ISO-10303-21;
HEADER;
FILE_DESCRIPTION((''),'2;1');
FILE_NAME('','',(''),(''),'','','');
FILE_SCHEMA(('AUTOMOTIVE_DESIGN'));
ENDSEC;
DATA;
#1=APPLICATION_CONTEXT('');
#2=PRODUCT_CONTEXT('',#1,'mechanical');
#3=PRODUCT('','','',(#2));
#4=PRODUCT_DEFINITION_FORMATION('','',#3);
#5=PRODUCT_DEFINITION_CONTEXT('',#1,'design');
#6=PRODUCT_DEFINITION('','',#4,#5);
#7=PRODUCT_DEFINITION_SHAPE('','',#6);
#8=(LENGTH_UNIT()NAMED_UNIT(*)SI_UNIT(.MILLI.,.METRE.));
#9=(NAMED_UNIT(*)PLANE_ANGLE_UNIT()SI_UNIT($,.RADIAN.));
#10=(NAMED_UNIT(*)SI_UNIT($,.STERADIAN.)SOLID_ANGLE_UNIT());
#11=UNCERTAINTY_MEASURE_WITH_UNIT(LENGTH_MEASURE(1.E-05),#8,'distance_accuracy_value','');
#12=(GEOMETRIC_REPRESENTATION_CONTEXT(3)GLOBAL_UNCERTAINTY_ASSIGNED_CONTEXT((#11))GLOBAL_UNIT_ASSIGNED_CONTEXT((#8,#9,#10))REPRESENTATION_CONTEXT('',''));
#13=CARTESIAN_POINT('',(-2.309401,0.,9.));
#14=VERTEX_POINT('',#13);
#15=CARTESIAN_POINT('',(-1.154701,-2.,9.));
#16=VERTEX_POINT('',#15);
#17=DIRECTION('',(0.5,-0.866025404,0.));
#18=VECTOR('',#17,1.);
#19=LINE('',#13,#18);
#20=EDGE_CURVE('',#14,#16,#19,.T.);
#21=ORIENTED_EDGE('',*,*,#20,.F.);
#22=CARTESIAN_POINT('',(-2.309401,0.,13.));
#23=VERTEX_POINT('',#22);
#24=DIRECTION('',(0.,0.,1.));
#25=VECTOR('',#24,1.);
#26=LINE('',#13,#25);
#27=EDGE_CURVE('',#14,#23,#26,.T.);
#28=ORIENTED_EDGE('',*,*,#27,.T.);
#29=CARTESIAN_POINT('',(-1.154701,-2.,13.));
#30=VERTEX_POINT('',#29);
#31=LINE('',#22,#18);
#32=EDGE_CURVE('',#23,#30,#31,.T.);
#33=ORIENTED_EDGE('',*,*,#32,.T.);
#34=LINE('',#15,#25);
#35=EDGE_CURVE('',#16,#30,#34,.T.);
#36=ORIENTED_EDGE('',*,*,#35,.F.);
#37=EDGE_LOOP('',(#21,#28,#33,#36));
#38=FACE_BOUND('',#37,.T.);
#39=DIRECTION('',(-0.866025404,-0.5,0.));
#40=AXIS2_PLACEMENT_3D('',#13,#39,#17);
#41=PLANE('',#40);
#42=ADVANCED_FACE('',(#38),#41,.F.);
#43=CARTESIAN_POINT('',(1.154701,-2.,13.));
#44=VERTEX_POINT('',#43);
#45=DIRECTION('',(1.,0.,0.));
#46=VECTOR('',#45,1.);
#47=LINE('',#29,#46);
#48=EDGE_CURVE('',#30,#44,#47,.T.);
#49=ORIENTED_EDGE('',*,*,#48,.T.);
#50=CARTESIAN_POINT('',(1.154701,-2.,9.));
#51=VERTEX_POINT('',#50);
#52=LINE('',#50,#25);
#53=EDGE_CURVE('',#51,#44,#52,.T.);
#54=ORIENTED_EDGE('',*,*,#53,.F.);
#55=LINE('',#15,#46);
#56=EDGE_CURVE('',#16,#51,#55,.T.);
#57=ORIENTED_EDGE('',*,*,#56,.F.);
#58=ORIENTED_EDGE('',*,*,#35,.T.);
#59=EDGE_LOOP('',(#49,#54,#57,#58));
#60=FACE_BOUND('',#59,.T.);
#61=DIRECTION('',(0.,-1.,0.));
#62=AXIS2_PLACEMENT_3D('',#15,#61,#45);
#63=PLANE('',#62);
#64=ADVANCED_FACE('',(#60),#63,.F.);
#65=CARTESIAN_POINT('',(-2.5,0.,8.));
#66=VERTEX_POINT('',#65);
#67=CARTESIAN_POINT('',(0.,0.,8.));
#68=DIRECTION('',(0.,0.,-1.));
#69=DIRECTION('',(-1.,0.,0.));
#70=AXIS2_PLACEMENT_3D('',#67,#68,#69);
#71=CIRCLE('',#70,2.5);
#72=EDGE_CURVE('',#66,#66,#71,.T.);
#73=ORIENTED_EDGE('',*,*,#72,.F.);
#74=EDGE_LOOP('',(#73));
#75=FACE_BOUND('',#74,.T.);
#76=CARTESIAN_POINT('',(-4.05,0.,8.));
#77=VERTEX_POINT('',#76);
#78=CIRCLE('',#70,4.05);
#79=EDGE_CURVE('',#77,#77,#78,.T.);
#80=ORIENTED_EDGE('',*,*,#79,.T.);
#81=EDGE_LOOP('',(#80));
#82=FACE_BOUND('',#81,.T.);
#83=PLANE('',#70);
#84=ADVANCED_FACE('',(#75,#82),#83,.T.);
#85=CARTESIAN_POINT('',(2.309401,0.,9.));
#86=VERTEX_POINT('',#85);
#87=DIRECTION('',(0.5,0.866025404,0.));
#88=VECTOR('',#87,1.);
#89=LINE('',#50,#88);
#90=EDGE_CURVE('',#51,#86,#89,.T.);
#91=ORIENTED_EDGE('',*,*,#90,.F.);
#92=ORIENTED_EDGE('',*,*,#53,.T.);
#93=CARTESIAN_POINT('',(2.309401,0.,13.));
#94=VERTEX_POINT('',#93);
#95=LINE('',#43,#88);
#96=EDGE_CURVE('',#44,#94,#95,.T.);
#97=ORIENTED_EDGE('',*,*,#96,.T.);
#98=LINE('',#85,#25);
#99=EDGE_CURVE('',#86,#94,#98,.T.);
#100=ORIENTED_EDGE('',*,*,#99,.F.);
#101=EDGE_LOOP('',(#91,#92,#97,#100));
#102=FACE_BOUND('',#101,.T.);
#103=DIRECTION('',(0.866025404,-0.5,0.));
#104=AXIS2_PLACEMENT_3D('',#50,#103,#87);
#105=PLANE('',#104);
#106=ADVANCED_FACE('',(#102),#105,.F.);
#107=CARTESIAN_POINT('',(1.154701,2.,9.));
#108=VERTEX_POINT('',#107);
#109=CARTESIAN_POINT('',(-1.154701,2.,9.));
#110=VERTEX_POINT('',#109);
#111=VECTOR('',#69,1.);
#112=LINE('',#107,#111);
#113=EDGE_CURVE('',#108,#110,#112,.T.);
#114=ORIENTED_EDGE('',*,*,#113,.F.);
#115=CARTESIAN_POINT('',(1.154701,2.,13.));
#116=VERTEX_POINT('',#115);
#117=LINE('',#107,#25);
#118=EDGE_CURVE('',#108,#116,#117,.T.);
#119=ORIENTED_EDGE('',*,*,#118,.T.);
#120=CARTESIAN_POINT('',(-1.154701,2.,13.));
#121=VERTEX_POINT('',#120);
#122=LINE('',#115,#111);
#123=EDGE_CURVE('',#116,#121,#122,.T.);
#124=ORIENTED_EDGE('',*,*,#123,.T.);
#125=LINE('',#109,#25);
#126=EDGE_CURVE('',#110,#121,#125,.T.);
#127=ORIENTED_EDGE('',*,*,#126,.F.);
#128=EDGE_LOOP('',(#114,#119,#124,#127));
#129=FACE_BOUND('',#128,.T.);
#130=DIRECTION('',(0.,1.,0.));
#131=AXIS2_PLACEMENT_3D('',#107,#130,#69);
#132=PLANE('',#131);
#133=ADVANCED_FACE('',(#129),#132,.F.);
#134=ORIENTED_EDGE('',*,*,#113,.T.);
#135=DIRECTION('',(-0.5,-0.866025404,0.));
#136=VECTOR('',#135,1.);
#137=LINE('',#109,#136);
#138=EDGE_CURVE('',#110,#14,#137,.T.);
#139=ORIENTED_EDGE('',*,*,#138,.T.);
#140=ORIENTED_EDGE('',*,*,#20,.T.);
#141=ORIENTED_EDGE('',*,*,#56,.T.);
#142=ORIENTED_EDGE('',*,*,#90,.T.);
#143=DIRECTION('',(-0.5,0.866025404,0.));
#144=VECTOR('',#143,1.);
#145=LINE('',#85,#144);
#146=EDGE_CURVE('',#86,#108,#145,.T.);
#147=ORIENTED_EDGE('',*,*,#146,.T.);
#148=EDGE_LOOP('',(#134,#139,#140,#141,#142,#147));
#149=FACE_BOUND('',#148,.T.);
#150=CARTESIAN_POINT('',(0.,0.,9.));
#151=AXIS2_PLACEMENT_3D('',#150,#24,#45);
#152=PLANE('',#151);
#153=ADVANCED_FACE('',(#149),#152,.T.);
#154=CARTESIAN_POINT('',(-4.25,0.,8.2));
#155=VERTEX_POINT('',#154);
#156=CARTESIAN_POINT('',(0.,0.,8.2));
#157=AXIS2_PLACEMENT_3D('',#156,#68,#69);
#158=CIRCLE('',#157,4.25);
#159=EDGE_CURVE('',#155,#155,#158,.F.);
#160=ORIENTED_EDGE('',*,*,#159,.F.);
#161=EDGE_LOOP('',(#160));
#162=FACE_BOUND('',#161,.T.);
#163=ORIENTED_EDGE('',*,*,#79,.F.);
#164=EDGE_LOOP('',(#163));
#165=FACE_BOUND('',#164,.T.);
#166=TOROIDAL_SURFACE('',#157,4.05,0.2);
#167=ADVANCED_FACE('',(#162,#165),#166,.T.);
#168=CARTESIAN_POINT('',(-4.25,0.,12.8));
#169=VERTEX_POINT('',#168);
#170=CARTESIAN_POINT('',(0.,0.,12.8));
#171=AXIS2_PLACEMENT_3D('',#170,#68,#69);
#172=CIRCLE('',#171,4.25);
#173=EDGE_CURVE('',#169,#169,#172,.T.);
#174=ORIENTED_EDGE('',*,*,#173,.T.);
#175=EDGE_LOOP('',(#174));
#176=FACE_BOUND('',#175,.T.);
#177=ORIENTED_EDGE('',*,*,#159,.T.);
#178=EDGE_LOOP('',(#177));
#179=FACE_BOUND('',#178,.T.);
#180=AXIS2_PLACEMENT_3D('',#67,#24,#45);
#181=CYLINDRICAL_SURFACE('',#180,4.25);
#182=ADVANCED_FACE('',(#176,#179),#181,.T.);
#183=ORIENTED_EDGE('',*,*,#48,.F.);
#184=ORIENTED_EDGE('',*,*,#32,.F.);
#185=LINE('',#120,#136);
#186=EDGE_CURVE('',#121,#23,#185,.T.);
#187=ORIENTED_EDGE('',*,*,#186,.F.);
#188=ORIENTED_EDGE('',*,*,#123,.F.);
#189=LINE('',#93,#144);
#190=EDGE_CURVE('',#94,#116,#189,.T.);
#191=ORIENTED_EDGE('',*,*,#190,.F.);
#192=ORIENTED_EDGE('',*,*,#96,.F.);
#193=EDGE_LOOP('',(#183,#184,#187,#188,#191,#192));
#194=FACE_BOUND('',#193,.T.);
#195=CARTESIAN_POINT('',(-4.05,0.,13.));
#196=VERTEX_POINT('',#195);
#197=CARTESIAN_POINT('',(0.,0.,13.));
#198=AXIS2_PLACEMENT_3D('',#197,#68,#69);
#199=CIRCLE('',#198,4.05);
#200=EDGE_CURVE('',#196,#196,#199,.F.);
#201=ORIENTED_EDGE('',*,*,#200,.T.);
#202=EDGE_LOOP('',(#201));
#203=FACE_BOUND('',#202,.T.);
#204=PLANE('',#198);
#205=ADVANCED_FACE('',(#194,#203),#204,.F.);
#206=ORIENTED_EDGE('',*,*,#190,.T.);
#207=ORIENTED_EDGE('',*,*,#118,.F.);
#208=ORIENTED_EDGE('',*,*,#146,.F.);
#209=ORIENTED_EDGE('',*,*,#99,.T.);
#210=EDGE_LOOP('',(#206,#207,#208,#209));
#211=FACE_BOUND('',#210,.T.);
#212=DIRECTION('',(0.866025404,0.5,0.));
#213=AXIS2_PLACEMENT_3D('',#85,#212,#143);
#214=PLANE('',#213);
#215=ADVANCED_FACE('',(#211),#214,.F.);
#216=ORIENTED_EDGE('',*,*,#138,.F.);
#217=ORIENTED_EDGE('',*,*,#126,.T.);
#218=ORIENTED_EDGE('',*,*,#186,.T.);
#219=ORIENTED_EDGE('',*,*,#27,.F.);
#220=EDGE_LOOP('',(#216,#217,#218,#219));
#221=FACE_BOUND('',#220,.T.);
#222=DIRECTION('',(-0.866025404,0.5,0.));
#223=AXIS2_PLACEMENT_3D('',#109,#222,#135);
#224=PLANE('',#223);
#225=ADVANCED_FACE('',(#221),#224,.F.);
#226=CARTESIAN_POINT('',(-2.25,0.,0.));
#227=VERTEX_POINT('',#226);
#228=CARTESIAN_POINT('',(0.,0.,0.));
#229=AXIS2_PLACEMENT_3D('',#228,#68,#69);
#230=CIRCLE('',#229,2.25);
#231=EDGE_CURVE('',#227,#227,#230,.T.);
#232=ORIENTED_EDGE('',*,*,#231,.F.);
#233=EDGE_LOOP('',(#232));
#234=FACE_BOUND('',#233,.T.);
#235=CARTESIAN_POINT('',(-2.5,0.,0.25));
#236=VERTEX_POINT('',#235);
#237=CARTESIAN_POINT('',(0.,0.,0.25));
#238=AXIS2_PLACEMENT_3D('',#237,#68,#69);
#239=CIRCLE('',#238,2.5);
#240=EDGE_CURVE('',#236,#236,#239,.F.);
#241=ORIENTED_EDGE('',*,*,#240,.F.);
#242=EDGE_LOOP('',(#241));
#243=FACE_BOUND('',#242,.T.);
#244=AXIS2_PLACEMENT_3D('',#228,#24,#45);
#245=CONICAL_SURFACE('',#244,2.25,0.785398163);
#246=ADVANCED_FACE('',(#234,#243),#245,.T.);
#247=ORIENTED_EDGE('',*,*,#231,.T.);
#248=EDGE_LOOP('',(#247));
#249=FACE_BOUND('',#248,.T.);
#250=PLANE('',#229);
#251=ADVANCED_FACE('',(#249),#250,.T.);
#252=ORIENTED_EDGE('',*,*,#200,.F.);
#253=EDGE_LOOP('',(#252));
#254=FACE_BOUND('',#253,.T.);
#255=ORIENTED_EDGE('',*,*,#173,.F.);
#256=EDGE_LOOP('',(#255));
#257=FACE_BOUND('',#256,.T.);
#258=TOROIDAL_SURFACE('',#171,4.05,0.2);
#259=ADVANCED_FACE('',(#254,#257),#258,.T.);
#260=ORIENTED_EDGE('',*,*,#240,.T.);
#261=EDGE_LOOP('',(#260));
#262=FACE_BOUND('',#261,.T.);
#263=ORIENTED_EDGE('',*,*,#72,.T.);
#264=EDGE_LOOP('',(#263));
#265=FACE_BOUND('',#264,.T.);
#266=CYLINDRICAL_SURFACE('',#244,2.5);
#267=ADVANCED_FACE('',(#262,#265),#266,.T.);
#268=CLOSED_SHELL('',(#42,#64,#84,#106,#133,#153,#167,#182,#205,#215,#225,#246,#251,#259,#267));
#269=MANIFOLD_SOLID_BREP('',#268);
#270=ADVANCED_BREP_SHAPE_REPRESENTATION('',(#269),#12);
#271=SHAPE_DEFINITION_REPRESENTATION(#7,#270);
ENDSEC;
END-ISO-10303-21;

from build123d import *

# Parameters (mm, degrees)
SKETCH1_R           = 4.25
BOSS_EXTRUDE1_DEPTH = 5
SKETCH2_R           = 2.5
BOSS_EXTRUDE2_DEPTH = 8
CUT_EXTRUDE1_DEPTH  = 4
CHAMFER1_SIZE       = 0.25
FILLET1_R           = 0.2


with BuildPart() as part:
    # Sketch1 → Boss-Extrude1 (new body)
    with BuildSketch(Plane.XY.offset(13)):
        Circle(SKETCH1_R)
    extrude(amount=-BOSS_EXTRUDE1_DEPTH)

    # Sketch2 → Boss-Extrude2 (add)
    with BuildSketch(Plane(origin=(0, 0, 8), x_dir=(-1, 0, 0), z_dir=(0, 0, -1))):
        Circle(SKETCH2_R)
    extrude(amount=BOSS_EXTRUDE2_DEPTH)

    # Sketch3 → Cut-Extrude1 (cut)
    with BuildSketch(Plane.XY.offset(13)):
        Polygon((-2.309401077, 0), (-1.154700538, -2), (1.154700538, -2), (2.309401077, 0), (1.154700538, 2), (-1.154700538, 2), align=None)
    extrude(amount=-CUT_EXTRUDE1_DEPTH, mode=Mode.SUBTRACT)

    # Chamfer1
    chamfer1_edges = [part.edges().sort_by_distance(p)[0] for p in [
        (2.5, 0, 0),
    ]]
    chamfer(chamfer1_edges, length=CHAMFER1_SIZE)

    # Fillet1
    fillet1_edges = [part.edges().sort_by_distance(p)[0] for p in [
        (-4.25, 0, 8),
        (-4.25, 0, 13),
    ]]
    fillet(fillet1_edges, radius=FILLET1_R)


solid = part.part
